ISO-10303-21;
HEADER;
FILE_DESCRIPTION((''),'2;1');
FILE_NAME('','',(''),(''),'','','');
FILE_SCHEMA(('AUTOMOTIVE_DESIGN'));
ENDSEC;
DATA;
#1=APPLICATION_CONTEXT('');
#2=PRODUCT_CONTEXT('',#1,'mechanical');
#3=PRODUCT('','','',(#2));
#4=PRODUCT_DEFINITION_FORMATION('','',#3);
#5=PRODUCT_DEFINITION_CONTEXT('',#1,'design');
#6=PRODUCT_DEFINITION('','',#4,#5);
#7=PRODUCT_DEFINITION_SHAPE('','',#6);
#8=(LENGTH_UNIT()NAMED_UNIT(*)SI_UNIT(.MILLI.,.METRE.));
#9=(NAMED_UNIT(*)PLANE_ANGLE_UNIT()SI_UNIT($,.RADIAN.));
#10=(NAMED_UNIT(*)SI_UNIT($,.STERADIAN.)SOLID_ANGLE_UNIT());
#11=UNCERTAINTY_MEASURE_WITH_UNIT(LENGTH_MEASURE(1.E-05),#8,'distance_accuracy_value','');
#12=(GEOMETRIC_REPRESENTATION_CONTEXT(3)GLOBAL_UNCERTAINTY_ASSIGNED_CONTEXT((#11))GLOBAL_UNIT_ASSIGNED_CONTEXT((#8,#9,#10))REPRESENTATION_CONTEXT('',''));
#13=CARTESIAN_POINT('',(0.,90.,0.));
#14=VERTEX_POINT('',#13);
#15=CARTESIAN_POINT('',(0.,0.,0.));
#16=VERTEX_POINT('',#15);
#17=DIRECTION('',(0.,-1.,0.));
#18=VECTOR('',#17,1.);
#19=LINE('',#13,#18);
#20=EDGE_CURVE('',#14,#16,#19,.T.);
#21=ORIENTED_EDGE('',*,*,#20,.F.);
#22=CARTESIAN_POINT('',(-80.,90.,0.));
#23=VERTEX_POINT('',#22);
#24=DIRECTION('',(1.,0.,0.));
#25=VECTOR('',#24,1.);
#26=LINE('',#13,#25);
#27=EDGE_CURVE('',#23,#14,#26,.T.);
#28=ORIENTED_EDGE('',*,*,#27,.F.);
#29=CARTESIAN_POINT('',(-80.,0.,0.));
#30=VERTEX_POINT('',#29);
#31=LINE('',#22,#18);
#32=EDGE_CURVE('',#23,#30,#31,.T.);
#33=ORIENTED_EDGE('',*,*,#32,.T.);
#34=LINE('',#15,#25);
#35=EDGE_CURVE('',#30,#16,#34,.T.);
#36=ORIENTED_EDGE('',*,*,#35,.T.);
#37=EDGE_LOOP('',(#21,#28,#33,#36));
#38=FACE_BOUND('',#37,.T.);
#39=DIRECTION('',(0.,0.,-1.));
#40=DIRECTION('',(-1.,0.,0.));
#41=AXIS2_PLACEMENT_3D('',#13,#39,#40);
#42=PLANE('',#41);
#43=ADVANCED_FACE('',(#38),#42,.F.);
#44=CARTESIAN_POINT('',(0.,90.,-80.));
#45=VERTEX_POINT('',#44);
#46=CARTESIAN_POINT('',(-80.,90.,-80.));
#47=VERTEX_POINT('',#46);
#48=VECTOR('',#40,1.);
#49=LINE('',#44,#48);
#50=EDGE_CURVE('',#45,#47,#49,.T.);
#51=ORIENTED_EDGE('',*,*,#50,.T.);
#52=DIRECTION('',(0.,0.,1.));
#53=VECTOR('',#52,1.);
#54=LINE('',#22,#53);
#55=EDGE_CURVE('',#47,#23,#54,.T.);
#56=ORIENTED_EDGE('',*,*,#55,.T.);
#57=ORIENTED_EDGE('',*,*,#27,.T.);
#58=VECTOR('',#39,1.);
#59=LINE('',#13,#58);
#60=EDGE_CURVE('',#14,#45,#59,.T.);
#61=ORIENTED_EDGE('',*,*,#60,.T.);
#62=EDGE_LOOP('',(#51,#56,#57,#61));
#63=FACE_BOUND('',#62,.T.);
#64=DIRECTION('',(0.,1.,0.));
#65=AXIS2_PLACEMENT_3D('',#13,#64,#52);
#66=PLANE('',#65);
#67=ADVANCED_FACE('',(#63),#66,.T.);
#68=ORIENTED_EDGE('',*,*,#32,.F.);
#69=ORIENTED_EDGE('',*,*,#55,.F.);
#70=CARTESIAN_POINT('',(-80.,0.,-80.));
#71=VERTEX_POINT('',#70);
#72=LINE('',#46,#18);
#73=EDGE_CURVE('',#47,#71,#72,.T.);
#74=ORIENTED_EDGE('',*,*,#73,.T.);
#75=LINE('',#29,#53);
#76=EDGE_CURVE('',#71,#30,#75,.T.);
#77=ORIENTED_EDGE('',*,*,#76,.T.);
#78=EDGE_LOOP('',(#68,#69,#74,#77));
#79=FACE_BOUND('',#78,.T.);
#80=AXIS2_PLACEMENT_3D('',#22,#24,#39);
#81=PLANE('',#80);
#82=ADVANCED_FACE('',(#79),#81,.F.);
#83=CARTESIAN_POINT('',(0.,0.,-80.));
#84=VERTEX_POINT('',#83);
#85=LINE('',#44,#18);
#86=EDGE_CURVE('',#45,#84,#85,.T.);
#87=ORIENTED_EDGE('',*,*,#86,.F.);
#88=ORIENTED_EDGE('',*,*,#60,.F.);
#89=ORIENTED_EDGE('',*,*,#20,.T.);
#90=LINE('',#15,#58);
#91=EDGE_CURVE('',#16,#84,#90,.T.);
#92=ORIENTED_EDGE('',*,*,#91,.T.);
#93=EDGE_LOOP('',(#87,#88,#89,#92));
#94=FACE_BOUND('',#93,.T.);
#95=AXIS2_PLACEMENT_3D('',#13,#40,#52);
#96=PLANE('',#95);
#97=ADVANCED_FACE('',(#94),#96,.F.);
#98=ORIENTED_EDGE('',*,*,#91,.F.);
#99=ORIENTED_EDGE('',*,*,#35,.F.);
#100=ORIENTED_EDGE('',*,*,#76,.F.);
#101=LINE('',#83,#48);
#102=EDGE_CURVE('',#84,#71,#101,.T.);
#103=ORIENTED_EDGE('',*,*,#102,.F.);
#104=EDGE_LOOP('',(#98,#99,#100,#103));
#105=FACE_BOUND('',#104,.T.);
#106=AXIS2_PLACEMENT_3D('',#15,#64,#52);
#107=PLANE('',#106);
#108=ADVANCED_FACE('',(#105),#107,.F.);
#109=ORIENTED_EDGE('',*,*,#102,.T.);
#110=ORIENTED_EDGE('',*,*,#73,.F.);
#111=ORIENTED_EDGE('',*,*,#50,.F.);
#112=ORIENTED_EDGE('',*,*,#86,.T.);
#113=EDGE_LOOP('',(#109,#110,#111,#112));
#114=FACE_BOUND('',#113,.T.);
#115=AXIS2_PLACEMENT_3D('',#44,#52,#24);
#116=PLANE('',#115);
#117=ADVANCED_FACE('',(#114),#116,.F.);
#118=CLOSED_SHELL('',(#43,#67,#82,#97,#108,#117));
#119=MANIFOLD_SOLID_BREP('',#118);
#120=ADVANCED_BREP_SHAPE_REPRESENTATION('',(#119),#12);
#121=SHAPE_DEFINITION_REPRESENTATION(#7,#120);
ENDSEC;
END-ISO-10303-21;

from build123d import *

# Parameters (mm, degrees)
SKETCH1_W      = 80
SKETCH1_H      = 80
EXTRUDE1_DEPTH = 90


with BuildPart() as part:
    # Sketch1 → Extrude1 (new body)
    with BuildSketch(Plane(origin=(0, 0, 0), x_dir=(1, 0, 0), z_dir=(0, 1, 0))):
        with Locations((-40, 40)):
            Rectangle(SKETCH1_W, SKETCH1_H)
    extrude(amount=EXTRUDE1_DEPTH)


solid = part.part
